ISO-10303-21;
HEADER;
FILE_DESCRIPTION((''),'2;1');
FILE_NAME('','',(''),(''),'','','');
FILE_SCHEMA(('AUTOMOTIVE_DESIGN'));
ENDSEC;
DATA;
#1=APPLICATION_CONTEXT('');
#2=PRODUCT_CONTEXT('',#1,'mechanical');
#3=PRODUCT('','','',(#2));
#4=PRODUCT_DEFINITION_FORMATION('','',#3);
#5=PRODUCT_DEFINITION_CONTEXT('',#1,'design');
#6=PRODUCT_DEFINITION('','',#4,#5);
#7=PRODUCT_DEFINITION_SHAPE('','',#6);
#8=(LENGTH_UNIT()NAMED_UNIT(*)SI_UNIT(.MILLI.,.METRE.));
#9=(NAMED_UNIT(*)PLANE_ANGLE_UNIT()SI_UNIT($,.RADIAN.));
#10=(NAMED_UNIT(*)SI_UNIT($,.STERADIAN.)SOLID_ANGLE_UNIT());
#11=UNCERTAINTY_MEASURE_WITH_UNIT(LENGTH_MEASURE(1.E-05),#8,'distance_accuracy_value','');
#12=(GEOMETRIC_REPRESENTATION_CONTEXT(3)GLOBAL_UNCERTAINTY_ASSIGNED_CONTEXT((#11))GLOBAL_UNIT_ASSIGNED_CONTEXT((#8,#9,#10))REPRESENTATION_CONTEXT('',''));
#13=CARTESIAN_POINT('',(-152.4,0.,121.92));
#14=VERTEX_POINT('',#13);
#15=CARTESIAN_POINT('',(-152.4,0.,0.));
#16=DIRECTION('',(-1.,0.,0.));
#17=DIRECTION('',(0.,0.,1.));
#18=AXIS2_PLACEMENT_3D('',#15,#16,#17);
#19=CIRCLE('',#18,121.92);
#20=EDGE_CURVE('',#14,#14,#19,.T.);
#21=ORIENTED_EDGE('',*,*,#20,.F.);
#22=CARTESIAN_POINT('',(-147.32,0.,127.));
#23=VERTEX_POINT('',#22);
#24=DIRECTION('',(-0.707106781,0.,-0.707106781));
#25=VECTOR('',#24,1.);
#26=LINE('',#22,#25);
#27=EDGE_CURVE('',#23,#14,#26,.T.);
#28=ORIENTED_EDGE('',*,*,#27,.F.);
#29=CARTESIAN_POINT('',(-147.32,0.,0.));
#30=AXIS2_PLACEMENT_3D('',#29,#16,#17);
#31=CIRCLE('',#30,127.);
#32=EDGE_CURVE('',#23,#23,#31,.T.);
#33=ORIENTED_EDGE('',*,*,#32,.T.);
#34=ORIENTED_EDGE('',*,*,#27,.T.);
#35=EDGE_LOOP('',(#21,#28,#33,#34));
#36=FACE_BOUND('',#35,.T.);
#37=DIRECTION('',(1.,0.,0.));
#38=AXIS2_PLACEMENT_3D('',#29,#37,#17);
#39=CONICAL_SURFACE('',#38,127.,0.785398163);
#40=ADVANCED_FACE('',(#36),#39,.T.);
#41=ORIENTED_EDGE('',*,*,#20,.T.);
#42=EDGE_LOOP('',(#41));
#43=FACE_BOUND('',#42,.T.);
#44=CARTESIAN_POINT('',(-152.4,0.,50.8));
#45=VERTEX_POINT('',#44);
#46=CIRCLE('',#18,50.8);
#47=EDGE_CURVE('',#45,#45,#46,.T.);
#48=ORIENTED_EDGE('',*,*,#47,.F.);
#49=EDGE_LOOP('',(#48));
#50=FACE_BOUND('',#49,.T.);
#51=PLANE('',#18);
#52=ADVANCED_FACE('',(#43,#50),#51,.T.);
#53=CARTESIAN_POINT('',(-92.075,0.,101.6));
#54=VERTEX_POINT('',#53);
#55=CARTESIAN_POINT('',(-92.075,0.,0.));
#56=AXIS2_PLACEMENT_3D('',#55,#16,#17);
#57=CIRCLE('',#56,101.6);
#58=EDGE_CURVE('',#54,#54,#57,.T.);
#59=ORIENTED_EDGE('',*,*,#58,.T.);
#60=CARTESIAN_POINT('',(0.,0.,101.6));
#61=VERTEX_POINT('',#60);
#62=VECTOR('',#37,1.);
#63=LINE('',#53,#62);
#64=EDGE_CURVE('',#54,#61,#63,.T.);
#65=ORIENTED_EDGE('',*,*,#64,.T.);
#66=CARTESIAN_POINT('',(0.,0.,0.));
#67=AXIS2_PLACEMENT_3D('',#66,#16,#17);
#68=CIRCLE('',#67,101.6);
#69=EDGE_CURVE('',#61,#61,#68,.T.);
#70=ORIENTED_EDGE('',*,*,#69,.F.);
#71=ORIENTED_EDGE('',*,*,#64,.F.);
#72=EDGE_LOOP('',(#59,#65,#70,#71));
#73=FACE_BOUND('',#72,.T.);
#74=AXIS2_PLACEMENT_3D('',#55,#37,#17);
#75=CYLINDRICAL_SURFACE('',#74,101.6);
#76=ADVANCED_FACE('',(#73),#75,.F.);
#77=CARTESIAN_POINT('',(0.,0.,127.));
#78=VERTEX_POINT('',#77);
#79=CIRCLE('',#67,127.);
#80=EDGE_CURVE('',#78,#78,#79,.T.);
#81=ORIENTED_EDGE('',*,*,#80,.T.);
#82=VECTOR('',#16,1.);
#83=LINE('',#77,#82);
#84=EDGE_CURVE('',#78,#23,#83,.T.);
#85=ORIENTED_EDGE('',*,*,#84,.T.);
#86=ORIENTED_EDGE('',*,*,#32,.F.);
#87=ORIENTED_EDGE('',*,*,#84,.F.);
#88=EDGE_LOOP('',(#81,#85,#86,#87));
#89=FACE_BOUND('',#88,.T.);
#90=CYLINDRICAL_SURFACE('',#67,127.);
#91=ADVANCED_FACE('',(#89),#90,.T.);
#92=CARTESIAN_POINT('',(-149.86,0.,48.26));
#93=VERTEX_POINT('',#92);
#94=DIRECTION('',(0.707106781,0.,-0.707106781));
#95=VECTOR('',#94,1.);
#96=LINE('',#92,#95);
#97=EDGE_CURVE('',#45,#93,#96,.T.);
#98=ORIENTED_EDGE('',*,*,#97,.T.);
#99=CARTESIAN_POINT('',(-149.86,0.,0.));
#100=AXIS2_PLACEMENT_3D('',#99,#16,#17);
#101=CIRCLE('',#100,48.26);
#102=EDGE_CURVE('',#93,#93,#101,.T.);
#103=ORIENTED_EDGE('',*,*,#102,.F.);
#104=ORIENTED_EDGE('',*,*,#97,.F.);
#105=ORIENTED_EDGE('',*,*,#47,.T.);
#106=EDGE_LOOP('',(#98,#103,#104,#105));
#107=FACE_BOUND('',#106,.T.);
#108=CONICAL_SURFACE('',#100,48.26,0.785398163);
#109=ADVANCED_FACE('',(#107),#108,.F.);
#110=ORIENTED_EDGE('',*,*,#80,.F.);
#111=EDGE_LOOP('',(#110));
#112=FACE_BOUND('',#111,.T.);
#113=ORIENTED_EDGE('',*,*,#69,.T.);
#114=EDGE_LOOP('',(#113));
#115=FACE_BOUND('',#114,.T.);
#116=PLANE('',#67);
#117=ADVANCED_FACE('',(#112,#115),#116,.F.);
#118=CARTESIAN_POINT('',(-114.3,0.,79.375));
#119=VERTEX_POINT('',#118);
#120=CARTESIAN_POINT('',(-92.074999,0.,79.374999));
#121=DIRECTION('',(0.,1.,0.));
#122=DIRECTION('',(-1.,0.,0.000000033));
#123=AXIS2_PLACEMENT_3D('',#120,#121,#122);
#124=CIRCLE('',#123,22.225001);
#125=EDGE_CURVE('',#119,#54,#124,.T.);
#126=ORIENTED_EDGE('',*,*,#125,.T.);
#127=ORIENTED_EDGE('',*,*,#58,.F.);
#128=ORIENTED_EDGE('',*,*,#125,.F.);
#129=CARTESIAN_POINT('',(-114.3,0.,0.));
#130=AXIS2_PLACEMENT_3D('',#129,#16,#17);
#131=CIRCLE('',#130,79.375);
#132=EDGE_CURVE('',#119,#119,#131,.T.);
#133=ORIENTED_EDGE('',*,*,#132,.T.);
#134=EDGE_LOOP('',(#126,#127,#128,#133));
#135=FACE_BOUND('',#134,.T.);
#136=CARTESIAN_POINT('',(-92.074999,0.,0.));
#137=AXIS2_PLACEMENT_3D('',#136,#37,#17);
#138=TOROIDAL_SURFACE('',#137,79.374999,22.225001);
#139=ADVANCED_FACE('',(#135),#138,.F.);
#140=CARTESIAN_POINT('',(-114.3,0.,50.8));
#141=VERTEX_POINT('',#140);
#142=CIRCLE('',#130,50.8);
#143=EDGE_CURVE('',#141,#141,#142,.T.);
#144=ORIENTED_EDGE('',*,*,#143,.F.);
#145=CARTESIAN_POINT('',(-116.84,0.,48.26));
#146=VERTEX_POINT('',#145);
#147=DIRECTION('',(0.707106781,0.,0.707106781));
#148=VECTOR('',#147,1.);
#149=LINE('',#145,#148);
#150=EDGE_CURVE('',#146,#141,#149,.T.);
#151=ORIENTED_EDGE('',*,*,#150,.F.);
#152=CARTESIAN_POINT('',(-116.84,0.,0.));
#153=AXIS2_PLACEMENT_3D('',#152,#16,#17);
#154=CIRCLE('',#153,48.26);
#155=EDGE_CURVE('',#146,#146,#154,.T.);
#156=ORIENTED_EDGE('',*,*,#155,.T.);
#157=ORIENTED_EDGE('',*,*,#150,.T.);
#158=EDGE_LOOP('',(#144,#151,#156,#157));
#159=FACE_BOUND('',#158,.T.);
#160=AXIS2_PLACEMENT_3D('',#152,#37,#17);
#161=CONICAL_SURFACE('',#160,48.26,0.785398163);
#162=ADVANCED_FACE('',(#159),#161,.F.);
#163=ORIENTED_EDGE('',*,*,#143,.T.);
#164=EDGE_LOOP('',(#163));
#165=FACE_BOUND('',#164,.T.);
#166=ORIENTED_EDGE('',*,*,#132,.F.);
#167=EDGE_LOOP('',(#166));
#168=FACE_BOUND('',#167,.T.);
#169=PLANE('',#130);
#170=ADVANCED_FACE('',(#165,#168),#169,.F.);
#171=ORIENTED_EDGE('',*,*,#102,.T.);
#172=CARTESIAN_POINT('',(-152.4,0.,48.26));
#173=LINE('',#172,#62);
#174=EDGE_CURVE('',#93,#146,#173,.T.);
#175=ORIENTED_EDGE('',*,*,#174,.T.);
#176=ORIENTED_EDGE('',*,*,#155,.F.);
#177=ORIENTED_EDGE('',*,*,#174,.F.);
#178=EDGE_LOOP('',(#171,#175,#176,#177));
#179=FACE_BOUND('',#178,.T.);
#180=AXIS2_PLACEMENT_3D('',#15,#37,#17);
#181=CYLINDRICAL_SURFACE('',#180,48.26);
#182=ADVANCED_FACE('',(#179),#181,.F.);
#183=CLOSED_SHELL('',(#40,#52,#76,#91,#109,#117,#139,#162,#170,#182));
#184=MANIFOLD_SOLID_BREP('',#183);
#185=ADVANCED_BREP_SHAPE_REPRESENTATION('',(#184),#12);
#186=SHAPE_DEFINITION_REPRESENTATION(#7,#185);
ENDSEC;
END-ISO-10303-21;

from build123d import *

# Parameters (mm, degrees)
F2_SIZE = 5.08
F3_SIZE = 2.54


with BuildPart() as f1:
    # F0 (on Front) → F1 (revolve)
    with BuildSketch(Plane.XZ):
        with BuildLine():
            Line((0, 101.6), (0, 127))
            Line((0, 127), (-152.4, 127))
            Line((-152.4, 127), (-152.4, 48.26))
            Line((-152.4, 48.26), (-114.3, 48.26))
            Line((-114.3, 48.26), (-114.3, 79.375))
            ThreePointArc((-114.3, 79.375), (-107.790448, 95.090448), (-92.075, 101.6))
            Line((-92.075, 101.6), (0, 101.6))
        make_face()
    revolve(axis=Axis((-71.717651, 0, 0), (-1, 0, 0)))

    # F2
    f2_edges = [f1.edges().sort_by_distance(p)[0] for p in [
        (-152.4, 0, -127),
    ]]
    chamfer(f2_edges, length=F2_SIZE)

    # F3
    f3_edges = [f1.edges().sort_by_distance(p)[0] for p in [
        (-152.4, 0, -48.26),
        (-114.3, 0, -48.26),
        (-133.35, 0, 48.26),
    ]]
    chamfer(f3_edges, length=F3_SIZE)


solid = f1.part
